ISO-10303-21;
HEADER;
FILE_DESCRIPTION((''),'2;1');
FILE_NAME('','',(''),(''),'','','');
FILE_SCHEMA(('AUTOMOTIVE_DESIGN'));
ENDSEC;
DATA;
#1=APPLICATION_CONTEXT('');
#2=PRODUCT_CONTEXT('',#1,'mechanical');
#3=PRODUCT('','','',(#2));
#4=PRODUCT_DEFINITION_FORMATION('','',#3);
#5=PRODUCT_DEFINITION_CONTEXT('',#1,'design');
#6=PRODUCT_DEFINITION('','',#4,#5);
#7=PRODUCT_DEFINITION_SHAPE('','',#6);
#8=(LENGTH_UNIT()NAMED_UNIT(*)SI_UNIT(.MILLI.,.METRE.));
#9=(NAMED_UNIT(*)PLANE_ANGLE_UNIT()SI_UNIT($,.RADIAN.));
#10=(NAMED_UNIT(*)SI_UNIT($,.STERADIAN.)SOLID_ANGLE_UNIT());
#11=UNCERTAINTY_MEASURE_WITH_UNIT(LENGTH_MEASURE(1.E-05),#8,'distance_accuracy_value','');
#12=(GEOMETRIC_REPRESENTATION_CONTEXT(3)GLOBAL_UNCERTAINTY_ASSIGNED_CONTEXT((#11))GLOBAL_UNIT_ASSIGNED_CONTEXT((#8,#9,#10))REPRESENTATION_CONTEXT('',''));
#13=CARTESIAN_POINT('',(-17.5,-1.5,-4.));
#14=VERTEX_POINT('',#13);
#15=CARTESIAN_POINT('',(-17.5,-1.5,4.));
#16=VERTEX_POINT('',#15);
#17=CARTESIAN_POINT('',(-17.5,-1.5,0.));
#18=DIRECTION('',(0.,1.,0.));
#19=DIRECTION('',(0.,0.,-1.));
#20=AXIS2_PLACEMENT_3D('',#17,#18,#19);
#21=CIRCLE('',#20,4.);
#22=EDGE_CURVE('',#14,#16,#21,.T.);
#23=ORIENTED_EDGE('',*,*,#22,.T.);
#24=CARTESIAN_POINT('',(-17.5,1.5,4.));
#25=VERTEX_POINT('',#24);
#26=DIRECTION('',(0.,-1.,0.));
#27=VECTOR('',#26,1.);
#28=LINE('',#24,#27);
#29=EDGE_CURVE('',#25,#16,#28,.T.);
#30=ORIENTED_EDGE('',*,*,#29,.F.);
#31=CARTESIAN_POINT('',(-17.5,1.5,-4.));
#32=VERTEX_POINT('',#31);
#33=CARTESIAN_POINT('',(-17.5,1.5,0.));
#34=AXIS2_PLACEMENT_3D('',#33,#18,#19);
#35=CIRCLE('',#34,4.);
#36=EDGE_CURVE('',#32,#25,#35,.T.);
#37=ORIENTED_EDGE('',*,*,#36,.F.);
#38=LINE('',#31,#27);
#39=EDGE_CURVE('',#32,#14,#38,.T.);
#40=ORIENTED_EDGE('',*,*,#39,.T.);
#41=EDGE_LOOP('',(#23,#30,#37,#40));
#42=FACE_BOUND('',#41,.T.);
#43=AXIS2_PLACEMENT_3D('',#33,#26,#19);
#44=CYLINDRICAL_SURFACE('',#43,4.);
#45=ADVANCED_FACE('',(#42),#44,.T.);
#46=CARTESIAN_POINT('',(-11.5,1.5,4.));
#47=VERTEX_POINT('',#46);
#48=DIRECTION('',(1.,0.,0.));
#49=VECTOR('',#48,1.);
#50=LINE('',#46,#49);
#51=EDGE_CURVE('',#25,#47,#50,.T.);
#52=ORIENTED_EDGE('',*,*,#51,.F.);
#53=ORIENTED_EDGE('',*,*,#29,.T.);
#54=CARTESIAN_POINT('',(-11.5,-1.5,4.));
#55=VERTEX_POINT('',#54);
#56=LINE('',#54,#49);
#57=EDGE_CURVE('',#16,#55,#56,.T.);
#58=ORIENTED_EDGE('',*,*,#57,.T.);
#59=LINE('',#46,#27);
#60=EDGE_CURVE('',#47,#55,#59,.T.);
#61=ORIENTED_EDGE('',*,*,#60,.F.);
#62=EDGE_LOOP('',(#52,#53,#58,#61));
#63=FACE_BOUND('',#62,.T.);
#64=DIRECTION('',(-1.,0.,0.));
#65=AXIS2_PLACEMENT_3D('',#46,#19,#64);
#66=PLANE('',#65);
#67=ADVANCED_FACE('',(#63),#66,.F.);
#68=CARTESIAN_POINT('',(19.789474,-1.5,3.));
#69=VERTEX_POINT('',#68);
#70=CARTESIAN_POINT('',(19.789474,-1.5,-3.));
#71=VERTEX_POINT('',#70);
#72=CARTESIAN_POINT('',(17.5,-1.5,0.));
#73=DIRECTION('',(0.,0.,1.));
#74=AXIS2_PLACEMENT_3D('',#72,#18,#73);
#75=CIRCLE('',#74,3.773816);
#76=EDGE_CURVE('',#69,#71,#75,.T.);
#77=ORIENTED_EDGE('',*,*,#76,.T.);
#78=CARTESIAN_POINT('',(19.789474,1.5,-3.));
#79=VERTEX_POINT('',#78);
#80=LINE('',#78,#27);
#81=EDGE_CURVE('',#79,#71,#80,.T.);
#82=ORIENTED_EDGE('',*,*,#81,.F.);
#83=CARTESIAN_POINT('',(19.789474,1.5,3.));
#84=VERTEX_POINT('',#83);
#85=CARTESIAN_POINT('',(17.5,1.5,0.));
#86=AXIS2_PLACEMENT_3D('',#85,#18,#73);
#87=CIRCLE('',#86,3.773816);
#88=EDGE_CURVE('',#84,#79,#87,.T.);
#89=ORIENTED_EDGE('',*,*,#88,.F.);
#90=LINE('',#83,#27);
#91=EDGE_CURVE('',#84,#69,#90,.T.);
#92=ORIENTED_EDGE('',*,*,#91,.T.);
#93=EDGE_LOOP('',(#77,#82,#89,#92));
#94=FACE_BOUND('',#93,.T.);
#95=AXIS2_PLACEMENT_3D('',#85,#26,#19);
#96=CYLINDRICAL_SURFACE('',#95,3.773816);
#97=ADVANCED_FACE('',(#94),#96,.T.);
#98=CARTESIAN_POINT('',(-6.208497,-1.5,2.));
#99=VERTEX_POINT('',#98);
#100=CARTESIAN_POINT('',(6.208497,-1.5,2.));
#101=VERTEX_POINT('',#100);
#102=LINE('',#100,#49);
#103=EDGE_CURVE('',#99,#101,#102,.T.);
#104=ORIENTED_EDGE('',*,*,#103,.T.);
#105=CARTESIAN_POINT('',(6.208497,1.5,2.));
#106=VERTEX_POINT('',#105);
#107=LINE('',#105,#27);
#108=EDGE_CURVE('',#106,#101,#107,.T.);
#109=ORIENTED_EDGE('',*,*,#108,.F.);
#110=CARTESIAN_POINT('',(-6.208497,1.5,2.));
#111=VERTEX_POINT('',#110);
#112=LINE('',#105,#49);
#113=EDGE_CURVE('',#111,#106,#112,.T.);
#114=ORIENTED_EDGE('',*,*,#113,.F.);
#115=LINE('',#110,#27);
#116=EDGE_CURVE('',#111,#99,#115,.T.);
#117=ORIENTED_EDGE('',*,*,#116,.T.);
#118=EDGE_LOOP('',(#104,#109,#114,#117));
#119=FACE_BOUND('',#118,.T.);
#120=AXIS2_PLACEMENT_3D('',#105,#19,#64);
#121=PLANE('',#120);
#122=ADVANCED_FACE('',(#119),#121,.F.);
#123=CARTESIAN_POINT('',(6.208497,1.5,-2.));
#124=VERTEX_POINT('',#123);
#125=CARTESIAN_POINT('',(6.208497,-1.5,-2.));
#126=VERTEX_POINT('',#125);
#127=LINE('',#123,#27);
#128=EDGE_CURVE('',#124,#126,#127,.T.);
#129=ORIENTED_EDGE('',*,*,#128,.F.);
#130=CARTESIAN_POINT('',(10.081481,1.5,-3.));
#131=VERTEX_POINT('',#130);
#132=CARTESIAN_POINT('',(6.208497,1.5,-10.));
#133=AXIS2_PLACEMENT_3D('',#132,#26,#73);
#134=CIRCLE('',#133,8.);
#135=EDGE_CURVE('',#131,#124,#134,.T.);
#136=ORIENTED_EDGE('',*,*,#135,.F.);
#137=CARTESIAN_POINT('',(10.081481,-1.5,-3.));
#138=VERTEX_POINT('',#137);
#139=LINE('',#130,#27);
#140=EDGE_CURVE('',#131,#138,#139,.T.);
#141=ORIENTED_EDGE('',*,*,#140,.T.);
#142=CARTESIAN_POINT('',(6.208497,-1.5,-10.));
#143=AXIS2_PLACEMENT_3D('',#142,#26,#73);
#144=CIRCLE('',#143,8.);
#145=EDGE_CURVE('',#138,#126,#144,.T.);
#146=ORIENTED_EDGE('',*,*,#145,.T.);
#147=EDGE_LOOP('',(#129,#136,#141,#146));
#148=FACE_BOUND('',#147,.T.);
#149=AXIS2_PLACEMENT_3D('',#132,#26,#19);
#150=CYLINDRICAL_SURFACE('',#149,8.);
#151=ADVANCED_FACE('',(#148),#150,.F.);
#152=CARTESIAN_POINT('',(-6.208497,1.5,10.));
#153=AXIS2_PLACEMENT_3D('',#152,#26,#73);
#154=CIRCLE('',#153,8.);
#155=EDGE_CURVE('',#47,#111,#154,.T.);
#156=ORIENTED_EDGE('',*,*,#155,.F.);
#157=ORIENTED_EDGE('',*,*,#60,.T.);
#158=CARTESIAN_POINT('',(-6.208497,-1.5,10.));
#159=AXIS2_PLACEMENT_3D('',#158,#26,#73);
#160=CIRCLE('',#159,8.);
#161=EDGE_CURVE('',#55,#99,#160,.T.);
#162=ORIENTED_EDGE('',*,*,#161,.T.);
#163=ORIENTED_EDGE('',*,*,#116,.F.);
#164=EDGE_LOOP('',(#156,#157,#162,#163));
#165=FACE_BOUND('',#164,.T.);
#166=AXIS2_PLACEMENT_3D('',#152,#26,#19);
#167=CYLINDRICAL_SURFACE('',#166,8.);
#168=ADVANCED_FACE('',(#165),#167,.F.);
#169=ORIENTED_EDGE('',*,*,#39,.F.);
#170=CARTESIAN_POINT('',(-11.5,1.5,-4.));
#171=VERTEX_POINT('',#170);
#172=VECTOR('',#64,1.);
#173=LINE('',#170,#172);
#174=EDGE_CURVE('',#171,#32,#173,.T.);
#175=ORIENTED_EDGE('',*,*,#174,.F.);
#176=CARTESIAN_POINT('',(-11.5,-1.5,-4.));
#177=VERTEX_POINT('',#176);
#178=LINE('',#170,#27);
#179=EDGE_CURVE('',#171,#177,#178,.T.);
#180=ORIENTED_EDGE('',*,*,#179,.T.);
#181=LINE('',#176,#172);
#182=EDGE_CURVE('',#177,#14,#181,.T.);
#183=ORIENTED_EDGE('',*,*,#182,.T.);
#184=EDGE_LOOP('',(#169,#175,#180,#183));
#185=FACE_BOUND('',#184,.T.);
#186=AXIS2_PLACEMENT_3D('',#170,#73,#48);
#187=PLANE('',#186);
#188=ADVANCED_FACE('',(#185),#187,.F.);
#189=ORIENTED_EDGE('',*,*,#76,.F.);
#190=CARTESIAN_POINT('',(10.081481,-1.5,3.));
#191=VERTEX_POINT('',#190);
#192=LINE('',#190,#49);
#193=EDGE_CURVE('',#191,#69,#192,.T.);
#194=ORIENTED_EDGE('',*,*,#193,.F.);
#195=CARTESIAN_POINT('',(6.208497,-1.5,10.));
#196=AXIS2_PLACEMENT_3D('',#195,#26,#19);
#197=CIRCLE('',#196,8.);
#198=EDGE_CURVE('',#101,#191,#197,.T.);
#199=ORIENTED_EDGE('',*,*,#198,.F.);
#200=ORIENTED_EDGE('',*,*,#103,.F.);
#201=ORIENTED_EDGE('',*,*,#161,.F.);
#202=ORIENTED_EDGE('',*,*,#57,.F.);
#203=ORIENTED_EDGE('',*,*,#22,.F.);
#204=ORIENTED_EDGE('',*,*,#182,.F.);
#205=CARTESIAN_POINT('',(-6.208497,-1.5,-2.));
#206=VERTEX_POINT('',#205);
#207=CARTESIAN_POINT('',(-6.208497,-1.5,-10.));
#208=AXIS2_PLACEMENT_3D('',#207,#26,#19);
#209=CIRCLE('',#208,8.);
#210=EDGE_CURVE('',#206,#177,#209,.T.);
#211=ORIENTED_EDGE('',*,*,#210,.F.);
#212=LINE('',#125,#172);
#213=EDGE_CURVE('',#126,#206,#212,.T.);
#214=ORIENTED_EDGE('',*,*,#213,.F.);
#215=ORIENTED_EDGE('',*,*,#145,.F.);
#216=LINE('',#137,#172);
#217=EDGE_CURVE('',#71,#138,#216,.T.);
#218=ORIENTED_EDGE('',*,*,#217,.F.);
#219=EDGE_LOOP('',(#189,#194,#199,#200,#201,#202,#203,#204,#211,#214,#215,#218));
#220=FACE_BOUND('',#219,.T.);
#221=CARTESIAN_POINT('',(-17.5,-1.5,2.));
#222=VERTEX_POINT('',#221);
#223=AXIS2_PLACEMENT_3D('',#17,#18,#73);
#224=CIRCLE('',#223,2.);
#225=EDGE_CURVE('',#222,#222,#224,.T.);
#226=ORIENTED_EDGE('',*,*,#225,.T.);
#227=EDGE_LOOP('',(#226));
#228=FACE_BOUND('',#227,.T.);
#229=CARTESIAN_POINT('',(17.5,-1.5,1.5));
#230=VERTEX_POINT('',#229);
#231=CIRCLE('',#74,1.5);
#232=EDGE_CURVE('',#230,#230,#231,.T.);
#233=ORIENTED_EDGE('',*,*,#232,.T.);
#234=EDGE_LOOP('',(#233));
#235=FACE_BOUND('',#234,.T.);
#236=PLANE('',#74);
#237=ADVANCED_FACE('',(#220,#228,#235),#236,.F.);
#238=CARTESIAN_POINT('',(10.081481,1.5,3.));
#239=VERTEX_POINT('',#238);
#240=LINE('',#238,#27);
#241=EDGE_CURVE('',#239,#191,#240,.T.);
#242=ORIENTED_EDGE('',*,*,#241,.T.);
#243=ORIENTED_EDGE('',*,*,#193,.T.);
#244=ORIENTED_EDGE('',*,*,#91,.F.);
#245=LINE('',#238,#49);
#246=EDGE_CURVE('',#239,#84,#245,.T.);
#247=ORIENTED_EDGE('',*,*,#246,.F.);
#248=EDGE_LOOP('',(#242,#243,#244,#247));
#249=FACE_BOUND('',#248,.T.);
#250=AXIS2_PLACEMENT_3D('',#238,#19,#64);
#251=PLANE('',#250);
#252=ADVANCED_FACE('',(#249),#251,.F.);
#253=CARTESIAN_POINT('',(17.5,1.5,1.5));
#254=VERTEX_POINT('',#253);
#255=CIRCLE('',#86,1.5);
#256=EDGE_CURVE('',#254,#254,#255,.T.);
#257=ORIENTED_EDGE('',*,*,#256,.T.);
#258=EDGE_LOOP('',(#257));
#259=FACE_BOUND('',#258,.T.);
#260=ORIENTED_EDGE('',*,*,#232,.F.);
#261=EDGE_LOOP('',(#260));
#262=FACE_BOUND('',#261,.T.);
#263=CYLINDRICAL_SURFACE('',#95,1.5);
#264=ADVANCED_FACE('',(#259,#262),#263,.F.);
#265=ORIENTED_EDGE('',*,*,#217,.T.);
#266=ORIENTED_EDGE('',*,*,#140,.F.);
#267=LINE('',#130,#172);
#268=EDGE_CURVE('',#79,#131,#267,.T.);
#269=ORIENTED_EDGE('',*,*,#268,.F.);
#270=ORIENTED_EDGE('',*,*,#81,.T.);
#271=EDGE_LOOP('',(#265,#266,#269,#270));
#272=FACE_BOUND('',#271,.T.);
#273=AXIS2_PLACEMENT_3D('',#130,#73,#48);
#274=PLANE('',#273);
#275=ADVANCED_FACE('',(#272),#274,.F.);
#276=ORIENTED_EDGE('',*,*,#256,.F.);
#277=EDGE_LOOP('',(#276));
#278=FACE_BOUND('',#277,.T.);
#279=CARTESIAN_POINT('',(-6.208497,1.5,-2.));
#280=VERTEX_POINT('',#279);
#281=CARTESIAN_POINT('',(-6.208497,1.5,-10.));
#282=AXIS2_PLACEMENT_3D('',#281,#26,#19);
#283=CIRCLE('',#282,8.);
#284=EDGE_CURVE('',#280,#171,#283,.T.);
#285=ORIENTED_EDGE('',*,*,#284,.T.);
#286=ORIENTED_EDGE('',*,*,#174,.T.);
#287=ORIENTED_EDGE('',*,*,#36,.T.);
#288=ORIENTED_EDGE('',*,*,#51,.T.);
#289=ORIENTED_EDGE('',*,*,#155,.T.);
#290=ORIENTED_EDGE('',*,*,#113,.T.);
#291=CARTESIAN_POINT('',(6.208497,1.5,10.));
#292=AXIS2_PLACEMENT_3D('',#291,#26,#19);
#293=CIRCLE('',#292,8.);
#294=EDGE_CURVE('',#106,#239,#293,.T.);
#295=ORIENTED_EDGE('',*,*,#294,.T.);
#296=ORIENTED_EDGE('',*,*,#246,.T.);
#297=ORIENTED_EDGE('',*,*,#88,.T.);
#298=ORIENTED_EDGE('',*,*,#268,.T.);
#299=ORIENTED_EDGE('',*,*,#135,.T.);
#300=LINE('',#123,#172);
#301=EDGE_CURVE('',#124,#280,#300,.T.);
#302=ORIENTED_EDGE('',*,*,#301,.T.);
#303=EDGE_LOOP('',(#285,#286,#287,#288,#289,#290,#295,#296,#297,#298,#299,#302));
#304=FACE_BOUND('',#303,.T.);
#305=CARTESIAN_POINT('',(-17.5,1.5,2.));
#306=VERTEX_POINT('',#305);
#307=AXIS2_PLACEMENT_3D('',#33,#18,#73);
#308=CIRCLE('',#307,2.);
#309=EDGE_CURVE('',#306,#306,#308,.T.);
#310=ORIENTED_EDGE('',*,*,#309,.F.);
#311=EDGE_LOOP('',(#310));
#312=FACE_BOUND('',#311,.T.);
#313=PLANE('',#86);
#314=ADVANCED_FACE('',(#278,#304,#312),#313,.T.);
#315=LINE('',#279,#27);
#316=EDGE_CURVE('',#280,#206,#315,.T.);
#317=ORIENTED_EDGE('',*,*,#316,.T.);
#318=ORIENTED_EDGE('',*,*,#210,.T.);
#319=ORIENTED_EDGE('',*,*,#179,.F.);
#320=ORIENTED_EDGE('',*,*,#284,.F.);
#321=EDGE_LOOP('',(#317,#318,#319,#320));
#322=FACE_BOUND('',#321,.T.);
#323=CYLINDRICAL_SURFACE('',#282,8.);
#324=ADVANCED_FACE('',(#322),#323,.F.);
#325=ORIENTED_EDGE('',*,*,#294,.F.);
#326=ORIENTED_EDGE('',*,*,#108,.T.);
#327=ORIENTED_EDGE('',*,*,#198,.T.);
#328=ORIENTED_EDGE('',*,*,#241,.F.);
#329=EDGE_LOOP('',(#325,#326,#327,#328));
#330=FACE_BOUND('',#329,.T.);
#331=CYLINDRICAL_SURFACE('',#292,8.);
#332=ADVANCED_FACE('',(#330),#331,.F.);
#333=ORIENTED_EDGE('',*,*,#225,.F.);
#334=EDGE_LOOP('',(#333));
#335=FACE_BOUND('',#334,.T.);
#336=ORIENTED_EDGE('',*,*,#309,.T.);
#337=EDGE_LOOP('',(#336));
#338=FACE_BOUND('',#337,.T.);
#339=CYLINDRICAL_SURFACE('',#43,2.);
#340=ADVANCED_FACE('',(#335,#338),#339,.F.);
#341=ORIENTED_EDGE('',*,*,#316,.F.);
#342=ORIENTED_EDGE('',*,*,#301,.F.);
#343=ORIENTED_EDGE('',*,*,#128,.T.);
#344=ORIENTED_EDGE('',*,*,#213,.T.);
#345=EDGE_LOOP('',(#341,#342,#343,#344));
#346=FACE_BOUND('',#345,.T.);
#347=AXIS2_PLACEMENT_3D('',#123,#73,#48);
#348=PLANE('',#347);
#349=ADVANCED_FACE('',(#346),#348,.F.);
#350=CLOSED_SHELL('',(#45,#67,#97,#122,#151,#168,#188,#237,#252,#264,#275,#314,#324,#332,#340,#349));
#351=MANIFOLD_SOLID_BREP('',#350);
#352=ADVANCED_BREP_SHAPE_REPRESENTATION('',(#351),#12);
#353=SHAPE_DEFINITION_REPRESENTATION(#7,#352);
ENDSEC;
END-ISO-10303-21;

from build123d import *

# Parameters (mm, degrees)
SKETCH1_R           = 2
SKETCH1_R_2         = 1.5
BOSS_EXTRUDE1_DEPTH = 1.5


with BuildPart() as part:
    # Sketch1 → Boss-Extrude1 (new, symmetric)
    with BuildSketch(Plane(origin=(0, 0, 0), x_dir=(1, 0, 0), z_dir=(0, 1, 0))):
        with BuildLine():
            Line((6.208497378, -2), (-6.208497378, -2))
            ThreePointArc((-6.208497378, -2), (-9.036924503, -2.516685226), (-11.5, -4))
            Line((-11.5, -4), (-17.5, -4))
            ThreePointArc((-17.5, -4), (-21.5, 0), (-17.5, 4))
            Line((-17.5, 4), (-11.5, 4))
            ThreePointArc((-11.5, 4), (-9.036924503, 2.516685226), (-6.208497378, 2))
            Line((-6.208497378, 2), (6.208497378, 2))
            ThreePointArc((6.208497378, 2), (8.208497378, 2.254033308), (10.081480724, 3))
            Line((10.081480724, 3), (19.789473684, 3))
            ThreePointArc((19.789473684, 3), (21.273816338, 0), (19.789473684, -3))
            Line((19.789473684, -3), (10.081480724, -3))
            ThreePointArc((10.081480724, -3), (8.208497378, -2.254033308), (6.208497378, -2))
        make_face()
        with Locations(Location((-17.5, 0, 0), (0, 0, 270))):
            Circle(SKETCH1_R, mode=Mode.SUBTRACT)
        with Locations(Location((17.5, 0, 0), (0, 0, 270))):
            Circle(SKETCH1_R_2, mode=Mode.SUBTRACT)
    extrude(amount=BOSS_EXTRUDE1_DEPTH, both=True)


solid = part.part
